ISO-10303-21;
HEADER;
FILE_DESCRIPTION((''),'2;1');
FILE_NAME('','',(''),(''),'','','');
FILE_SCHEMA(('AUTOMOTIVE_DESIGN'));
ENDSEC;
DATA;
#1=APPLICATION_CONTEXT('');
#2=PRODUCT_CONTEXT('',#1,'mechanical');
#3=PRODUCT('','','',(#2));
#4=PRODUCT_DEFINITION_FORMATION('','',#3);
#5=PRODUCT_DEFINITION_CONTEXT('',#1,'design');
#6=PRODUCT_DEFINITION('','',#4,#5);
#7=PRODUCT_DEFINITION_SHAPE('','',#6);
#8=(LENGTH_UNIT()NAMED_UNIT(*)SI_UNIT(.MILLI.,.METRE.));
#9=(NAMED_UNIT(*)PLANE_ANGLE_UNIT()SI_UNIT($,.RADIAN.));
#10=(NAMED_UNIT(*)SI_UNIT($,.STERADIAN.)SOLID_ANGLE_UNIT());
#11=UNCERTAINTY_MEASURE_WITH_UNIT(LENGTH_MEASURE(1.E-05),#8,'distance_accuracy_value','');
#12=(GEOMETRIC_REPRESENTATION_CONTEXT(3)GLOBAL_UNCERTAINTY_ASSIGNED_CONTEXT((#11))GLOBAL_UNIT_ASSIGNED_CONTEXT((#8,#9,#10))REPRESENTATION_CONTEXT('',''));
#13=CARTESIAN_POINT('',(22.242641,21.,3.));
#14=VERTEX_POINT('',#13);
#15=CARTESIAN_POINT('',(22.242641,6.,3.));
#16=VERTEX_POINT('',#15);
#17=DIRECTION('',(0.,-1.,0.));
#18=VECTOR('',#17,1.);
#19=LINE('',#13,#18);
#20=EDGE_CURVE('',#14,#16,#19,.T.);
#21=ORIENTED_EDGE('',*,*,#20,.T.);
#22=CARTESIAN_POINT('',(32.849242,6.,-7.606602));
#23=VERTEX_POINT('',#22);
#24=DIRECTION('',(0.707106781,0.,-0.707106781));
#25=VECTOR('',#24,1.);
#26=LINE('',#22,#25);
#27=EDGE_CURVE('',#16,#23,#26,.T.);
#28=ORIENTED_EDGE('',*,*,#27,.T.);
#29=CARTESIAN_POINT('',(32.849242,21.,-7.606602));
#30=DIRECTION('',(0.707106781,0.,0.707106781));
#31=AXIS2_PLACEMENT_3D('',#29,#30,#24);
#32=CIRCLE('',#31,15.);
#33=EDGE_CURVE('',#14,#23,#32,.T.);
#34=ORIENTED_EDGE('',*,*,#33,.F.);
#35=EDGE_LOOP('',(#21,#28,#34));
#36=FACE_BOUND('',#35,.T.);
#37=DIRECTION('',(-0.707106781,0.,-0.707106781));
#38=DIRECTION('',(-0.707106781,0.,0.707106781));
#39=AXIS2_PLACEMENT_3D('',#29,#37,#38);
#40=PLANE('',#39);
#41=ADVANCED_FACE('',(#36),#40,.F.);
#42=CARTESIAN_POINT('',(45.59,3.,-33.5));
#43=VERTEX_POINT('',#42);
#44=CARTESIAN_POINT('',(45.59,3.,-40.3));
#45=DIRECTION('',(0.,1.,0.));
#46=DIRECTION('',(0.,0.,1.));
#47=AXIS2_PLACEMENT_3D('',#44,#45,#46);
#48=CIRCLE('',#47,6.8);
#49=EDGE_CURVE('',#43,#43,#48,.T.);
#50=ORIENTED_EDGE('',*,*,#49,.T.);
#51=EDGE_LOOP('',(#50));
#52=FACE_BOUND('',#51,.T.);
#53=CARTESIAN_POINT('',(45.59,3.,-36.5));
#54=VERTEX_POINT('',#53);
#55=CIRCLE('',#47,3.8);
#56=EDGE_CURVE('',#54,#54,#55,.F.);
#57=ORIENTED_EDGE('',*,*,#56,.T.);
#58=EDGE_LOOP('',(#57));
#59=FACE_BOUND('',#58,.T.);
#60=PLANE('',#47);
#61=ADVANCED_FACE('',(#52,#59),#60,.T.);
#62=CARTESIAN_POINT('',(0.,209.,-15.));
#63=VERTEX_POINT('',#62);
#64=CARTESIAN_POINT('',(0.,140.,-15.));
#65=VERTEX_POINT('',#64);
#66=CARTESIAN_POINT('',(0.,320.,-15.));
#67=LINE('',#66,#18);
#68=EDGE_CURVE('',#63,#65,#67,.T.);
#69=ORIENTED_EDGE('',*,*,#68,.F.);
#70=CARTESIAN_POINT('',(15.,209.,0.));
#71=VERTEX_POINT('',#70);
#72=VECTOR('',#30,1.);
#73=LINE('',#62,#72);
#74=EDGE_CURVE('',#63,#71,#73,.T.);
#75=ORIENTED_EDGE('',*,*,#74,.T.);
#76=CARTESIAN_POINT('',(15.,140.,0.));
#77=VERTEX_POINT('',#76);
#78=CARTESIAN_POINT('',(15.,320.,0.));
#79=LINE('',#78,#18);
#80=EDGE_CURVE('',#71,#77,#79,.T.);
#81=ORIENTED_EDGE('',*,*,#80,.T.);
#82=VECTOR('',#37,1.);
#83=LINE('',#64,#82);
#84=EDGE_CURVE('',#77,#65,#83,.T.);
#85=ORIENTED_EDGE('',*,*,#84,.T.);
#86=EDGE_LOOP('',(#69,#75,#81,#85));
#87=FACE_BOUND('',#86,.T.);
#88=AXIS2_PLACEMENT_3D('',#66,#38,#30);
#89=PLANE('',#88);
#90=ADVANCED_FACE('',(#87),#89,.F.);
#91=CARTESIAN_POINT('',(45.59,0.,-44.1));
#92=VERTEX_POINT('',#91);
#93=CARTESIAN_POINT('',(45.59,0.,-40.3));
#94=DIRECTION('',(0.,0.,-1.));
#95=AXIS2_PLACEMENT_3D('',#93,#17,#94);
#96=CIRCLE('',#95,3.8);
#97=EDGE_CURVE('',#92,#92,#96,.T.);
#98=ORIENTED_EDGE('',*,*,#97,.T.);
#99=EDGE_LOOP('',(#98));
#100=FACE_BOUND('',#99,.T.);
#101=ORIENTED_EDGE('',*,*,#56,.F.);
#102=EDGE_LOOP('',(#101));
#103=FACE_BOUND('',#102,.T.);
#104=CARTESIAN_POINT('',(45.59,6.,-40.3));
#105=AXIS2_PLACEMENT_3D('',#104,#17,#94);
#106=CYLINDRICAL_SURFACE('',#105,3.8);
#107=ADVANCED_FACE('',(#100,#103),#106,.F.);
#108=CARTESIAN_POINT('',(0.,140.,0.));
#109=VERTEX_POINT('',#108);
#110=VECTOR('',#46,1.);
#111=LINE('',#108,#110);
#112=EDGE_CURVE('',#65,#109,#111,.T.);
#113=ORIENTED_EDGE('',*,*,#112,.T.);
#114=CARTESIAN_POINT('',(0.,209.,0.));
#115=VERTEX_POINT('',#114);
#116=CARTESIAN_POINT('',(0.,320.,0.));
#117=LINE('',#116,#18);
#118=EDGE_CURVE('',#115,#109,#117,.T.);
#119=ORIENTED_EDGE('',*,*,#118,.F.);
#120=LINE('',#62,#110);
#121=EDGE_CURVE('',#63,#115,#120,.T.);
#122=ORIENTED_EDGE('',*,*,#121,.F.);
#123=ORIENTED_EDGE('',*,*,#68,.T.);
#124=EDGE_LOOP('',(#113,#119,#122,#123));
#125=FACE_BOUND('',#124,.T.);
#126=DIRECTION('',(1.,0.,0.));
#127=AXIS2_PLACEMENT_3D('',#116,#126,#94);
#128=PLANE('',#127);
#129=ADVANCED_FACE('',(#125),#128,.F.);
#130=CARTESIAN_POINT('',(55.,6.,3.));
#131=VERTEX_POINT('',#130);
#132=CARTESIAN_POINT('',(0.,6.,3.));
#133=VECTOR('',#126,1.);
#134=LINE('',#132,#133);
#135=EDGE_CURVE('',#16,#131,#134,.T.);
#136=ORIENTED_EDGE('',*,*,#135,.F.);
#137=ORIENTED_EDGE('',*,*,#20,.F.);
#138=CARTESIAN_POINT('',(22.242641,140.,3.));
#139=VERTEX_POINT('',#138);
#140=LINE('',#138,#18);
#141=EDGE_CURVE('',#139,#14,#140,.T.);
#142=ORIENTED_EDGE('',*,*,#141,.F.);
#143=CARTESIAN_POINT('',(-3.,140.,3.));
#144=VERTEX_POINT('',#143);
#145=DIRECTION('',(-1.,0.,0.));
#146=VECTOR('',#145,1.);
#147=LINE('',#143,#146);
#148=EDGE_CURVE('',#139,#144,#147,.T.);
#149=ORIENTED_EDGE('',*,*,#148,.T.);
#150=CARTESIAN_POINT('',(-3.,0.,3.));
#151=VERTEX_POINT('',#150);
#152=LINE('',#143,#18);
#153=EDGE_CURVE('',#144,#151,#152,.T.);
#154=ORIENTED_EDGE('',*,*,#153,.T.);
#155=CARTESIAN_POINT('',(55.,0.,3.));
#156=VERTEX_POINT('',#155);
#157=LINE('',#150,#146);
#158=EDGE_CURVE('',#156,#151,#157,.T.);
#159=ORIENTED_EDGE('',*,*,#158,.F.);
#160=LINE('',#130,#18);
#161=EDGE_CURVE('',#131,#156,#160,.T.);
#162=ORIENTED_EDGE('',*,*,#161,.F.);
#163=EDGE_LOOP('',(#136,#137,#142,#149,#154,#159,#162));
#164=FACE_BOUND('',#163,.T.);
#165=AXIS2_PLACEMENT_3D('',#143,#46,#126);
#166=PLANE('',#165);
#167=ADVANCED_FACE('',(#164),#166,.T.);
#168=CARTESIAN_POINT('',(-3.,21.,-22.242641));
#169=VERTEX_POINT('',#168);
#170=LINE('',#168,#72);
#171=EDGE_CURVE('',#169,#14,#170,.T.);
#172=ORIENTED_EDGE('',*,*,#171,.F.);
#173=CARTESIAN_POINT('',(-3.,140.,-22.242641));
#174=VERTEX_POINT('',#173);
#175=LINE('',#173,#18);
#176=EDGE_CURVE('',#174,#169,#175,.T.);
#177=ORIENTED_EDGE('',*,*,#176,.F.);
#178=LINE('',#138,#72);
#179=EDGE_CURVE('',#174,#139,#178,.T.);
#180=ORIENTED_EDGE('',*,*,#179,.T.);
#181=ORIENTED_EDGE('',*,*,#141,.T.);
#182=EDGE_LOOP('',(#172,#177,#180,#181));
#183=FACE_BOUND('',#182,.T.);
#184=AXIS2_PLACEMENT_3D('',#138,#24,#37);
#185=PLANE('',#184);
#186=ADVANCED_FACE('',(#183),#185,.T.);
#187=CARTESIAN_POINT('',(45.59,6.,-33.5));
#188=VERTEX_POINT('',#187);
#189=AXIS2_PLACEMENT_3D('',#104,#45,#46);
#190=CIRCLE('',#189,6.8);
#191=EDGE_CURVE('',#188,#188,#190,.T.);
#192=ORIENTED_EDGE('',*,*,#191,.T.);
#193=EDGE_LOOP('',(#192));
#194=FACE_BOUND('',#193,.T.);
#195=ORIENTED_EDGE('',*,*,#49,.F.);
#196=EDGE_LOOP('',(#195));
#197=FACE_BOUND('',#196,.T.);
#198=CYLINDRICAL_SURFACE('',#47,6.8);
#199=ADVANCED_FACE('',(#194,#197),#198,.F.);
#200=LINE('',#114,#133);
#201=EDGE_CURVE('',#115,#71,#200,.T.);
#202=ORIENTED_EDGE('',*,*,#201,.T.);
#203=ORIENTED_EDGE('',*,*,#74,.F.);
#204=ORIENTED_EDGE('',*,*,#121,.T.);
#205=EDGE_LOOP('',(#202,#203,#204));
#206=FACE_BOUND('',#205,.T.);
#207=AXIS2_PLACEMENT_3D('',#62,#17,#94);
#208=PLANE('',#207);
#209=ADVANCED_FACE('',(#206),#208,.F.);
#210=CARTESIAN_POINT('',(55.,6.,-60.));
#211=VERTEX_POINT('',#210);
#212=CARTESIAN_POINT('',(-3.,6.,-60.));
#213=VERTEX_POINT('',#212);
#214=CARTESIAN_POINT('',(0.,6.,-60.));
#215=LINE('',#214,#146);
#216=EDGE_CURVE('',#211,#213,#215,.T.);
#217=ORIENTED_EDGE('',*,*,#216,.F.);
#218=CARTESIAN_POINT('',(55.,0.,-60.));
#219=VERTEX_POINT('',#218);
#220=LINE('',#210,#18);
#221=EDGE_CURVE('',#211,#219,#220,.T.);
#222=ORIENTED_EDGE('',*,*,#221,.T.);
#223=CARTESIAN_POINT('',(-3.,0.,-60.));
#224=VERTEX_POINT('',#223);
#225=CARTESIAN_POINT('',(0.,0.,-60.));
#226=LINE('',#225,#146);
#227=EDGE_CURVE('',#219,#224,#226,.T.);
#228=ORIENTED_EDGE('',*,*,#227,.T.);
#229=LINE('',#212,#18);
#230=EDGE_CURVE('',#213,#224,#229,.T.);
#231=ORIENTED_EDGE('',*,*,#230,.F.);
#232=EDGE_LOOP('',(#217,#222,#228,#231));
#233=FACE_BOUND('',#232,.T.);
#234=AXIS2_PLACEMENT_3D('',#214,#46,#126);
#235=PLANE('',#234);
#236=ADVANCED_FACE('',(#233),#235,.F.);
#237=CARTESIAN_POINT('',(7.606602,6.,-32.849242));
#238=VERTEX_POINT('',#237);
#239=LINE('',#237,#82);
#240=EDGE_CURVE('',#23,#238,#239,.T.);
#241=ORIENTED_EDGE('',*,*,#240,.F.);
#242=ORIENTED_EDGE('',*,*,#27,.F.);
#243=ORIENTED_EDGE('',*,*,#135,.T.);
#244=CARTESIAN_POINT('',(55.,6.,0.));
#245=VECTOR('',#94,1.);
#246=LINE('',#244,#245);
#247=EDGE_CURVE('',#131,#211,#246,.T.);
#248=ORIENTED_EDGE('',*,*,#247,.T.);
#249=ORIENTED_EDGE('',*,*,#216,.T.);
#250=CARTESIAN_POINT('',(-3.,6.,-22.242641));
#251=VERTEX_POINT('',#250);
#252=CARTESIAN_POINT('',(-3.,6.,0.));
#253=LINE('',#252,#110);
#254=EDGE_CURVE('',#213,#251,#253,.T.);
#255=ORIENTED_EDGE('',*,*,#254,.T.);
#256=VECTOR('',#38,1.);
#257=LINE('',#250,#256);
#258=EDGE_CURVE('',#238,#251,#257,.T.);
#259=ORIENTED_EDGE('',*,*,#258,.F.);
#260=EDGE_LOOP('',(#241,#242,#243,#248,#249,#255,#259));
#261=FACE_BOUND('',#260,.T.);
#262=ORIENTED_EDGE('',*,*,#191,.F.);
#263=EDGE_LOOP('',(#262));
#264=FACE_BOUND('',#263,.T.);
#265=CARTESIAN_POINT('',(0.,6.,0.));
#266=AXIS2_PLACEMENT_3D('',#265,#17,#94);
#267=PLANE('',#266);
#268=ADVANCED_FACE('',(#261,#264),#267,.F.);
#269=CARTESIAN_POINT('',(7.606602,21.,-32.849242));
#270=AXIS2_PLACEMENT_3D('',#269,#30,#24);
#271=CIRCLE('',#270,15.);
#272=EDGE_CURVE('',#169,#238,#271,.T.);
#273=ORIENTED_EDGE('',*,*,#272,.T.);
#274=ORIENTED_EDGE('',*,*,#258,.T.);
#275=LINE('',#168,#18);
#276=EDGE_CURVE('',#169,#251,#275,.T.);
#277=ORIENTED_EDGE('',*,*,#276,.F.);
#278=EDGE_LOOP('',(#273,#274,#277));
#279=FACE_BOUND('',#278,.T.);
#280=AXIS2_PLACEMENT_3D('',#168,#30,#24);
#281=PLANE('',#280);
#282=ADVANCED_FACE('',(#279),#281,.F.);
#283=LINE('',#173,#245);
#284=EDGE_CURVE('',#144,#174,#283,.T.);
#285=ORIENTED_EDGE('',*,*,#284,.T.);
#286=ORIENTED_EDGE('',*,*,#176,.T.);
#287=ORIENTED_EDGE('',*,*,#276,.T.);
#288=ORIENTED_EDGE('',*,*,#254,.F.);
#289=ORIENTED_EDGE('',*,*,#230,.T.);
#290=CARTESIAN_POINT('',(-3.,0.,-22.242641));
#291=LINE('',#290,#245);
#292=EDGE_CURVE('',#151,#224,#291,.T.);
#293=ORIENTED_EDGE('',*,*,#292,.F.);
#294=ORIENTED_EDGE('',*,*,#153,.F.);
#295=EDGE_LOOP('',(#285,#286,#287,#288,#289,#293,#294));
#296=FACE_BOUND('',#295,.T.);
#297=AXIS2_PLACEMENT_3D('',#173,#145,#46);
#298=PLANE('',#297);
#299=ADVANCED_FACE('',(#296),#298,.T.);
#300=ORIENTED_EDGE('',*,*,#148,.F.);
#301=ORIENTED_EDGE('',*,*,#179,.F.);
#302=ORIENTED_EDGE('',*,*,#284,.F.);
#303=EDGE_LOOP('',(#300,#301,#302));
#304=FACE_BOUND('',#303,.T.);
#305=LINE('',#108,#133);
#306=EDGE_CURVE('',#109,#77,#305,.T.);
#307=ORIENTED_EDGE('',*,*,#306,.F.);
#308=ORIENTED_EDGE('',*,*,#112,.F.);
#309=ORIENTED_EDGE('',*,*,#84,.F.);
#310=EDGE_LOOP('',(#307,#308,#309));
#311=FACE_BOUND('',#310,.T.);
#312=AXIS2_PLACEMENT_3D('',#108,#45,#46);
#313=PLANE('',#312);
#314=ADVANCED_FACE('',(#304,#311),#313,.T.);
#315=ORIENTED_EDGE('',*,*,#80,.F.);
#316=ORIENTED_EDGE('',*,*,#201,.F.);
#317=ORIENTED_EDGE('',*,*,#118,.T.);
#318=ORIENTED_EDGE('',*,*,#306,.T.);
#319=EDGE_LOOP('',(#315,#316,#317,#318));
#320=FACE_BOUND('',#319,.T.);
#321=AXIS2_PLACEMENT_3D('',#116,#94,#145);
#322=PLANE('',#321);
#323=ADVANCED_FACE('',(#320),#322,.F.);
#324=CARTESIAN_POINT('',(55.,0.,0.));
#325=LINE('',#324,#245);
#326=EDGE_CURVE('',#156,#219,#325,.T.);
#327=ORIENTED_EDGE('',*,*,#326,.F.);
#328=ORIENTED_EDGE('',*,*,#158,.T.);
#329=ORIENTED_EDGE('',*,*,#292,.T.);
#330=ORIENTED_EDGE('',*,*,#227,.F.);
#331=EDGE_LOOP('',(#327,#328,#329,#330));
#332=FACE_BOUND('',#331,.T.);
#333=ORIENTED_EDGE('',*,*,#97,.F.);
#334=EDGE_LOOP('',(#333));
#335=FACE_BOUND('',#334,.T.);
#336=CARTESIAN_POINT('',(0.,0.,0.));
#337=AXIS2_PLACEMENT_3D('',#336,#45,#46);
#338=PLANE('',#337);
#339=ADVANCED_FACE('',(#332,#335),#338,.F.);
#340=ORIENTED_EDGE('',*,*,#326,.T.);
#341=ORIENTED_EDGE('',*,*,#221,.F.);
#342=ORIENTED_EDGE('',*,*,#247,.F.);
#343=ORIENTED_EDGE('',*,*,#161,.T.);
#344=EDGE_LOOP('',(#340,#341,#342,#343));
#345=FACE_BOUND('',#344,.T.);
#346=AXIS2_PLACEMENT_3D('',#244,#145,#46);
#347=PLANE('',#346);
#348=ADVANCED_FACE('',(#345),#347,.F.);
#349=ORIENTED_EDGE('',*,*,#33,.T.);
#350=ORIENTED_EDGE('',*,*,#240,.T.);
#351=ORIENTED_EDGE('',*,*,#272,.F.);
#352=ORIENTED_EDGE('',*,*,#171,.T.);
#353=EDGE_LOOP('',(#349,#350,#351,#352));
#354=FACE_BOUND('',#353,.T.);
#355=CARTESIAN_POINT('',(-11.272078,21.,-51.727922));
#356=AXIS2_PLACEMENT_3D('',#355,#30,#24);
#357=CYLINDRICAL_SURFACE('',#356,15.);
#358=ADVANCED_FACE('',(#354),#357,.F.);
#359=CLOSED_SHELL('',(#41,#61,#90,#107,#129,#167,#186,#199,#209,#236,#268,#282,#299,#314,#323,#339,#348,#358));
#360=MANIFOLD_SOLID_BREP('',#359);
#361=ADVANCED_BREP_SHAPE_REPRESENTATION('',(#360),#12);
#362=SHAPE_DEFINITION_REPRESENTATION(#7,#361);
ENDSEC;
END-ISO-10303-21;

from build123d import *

# Parameters (mm, degrees)
BOSS_EXTRUDE3_DEPTH = 320
SKETCH8_W           = 15
SKETCH8_H           = 111
CUT_EXTRUDE4_DEPTH  = 321.702354216
BOSS_EXTRUDE5_DEPTH = 140
SKETCH4_W           = 58
SKETCH4_H           = 63
SKETCH4_R           = 3.8
BOSS_EXTRUDE4_DEPTH = 6
BOSS_EXTRUDE6_DEPTH = 15
CUT_EXTRUDE5_DEPTH  = 226.279401317
SKETCH12_R          = 6.8
CUT_EXTRUDE6_DEPTH  = 3


with BuildPart() as part:
    # Sketch1 → Boss-Extrude3 (new body)
    with BuildSketch(Plane(origin=(0, 0, 0), x_dir=(1, 0, 0), z_dir=(0, 1, 0))):
        Polygon((0, 0), (0, 15), (15, 0), align=None)
    extrude(amount=BOSS_EXTRUDE3_DEPTH)

    # Sketch8 → Cut-Extrude4 (cut, through all)
    with BuildSketch(Plane.XY):
        with Locations((7.5, 264.5)):
            Rectangle(SKETCH8_W, SKETCH8_H)
    extrude(amount=-CUT_EXTRUDE4_DEPTH, mode=Mode.SUBTRACT)

    # Sketch9 → Boss-Extrude5 (add)
    with BuildSketch(Plane.XZ):
        Polygon((-3, -22.242640687), (-3, 3), (22.242640687, 3), align=None)
    extrude(amount=-BOSS_EXTRUDE5_DEPTH)

    # Sketch4 → Boss-Extrude4 (add)
    with BuildSketch(Plane.XZ):
        with Locations((26, -28.5)):
            Rectangle(SKETCH4_W, SKETCH4_H)
        with Locations(Location((45.59, -40.3, 0), (0, 0, 270))):
            Circle(SKETCH4_R, mode=Mode.SUBTRACT)
    extrude(amount=-BOSS_EXTRUDE4_DEPTH)

    # Sketch10 → Boss-Extrude6 (add)
    with BuildSketch(Plane(origin=(0, 6, 0), x_dir=(1, 0, 0), z_dir=(0, 1, 0))):
        Polygon((-3, 22.242640687), (7.606601718, 32.849242405), (32.849242405, 7.606601718), (22.242640687, -3), align=None)
    extrude(amount=BOSS_EXTRUDE6_DEPTH)

    # Sketch11 → Cut-Extrude5 (cut, through all)
    with BuildSketch(Plane(origin=(12.621320344, 0, 12.621320344), x_dir=(0.7071067811865477, 0, -0.7071067811865475), z_dir=(0.7071067811865475, 0, 0.7071067811865477))):
        with BuildLine():
            Line((13.606601718, 21), (28.606601718, 21))
            Line((28.606601718, 21), (28.606601718, 6))
            ThreePointArc((28.606601718, 6), (18, 10.393398282), (13.606601718, 21))
        make_face()
    extrude(amount=-CUT_EXTRUDE5_DEPTH, mode=Mode.SUBTRACT)

    # Sketch12 → Cut-Extrude6 (cut)
    with BuildSketch(Plane(origin=(0, 6, 0), x_dir=(1, 0, 0), z_dir=(0, 1, 0))):
        with Locations(Location((45.59, 40.3, 0), (0, 0, 270))):
            Circle(SKETCH12_R)
    extrude(amount=-CUT_EXTRUDE6_DEPTH, mode=Mode.SUBTRACT)


solid = part.part
